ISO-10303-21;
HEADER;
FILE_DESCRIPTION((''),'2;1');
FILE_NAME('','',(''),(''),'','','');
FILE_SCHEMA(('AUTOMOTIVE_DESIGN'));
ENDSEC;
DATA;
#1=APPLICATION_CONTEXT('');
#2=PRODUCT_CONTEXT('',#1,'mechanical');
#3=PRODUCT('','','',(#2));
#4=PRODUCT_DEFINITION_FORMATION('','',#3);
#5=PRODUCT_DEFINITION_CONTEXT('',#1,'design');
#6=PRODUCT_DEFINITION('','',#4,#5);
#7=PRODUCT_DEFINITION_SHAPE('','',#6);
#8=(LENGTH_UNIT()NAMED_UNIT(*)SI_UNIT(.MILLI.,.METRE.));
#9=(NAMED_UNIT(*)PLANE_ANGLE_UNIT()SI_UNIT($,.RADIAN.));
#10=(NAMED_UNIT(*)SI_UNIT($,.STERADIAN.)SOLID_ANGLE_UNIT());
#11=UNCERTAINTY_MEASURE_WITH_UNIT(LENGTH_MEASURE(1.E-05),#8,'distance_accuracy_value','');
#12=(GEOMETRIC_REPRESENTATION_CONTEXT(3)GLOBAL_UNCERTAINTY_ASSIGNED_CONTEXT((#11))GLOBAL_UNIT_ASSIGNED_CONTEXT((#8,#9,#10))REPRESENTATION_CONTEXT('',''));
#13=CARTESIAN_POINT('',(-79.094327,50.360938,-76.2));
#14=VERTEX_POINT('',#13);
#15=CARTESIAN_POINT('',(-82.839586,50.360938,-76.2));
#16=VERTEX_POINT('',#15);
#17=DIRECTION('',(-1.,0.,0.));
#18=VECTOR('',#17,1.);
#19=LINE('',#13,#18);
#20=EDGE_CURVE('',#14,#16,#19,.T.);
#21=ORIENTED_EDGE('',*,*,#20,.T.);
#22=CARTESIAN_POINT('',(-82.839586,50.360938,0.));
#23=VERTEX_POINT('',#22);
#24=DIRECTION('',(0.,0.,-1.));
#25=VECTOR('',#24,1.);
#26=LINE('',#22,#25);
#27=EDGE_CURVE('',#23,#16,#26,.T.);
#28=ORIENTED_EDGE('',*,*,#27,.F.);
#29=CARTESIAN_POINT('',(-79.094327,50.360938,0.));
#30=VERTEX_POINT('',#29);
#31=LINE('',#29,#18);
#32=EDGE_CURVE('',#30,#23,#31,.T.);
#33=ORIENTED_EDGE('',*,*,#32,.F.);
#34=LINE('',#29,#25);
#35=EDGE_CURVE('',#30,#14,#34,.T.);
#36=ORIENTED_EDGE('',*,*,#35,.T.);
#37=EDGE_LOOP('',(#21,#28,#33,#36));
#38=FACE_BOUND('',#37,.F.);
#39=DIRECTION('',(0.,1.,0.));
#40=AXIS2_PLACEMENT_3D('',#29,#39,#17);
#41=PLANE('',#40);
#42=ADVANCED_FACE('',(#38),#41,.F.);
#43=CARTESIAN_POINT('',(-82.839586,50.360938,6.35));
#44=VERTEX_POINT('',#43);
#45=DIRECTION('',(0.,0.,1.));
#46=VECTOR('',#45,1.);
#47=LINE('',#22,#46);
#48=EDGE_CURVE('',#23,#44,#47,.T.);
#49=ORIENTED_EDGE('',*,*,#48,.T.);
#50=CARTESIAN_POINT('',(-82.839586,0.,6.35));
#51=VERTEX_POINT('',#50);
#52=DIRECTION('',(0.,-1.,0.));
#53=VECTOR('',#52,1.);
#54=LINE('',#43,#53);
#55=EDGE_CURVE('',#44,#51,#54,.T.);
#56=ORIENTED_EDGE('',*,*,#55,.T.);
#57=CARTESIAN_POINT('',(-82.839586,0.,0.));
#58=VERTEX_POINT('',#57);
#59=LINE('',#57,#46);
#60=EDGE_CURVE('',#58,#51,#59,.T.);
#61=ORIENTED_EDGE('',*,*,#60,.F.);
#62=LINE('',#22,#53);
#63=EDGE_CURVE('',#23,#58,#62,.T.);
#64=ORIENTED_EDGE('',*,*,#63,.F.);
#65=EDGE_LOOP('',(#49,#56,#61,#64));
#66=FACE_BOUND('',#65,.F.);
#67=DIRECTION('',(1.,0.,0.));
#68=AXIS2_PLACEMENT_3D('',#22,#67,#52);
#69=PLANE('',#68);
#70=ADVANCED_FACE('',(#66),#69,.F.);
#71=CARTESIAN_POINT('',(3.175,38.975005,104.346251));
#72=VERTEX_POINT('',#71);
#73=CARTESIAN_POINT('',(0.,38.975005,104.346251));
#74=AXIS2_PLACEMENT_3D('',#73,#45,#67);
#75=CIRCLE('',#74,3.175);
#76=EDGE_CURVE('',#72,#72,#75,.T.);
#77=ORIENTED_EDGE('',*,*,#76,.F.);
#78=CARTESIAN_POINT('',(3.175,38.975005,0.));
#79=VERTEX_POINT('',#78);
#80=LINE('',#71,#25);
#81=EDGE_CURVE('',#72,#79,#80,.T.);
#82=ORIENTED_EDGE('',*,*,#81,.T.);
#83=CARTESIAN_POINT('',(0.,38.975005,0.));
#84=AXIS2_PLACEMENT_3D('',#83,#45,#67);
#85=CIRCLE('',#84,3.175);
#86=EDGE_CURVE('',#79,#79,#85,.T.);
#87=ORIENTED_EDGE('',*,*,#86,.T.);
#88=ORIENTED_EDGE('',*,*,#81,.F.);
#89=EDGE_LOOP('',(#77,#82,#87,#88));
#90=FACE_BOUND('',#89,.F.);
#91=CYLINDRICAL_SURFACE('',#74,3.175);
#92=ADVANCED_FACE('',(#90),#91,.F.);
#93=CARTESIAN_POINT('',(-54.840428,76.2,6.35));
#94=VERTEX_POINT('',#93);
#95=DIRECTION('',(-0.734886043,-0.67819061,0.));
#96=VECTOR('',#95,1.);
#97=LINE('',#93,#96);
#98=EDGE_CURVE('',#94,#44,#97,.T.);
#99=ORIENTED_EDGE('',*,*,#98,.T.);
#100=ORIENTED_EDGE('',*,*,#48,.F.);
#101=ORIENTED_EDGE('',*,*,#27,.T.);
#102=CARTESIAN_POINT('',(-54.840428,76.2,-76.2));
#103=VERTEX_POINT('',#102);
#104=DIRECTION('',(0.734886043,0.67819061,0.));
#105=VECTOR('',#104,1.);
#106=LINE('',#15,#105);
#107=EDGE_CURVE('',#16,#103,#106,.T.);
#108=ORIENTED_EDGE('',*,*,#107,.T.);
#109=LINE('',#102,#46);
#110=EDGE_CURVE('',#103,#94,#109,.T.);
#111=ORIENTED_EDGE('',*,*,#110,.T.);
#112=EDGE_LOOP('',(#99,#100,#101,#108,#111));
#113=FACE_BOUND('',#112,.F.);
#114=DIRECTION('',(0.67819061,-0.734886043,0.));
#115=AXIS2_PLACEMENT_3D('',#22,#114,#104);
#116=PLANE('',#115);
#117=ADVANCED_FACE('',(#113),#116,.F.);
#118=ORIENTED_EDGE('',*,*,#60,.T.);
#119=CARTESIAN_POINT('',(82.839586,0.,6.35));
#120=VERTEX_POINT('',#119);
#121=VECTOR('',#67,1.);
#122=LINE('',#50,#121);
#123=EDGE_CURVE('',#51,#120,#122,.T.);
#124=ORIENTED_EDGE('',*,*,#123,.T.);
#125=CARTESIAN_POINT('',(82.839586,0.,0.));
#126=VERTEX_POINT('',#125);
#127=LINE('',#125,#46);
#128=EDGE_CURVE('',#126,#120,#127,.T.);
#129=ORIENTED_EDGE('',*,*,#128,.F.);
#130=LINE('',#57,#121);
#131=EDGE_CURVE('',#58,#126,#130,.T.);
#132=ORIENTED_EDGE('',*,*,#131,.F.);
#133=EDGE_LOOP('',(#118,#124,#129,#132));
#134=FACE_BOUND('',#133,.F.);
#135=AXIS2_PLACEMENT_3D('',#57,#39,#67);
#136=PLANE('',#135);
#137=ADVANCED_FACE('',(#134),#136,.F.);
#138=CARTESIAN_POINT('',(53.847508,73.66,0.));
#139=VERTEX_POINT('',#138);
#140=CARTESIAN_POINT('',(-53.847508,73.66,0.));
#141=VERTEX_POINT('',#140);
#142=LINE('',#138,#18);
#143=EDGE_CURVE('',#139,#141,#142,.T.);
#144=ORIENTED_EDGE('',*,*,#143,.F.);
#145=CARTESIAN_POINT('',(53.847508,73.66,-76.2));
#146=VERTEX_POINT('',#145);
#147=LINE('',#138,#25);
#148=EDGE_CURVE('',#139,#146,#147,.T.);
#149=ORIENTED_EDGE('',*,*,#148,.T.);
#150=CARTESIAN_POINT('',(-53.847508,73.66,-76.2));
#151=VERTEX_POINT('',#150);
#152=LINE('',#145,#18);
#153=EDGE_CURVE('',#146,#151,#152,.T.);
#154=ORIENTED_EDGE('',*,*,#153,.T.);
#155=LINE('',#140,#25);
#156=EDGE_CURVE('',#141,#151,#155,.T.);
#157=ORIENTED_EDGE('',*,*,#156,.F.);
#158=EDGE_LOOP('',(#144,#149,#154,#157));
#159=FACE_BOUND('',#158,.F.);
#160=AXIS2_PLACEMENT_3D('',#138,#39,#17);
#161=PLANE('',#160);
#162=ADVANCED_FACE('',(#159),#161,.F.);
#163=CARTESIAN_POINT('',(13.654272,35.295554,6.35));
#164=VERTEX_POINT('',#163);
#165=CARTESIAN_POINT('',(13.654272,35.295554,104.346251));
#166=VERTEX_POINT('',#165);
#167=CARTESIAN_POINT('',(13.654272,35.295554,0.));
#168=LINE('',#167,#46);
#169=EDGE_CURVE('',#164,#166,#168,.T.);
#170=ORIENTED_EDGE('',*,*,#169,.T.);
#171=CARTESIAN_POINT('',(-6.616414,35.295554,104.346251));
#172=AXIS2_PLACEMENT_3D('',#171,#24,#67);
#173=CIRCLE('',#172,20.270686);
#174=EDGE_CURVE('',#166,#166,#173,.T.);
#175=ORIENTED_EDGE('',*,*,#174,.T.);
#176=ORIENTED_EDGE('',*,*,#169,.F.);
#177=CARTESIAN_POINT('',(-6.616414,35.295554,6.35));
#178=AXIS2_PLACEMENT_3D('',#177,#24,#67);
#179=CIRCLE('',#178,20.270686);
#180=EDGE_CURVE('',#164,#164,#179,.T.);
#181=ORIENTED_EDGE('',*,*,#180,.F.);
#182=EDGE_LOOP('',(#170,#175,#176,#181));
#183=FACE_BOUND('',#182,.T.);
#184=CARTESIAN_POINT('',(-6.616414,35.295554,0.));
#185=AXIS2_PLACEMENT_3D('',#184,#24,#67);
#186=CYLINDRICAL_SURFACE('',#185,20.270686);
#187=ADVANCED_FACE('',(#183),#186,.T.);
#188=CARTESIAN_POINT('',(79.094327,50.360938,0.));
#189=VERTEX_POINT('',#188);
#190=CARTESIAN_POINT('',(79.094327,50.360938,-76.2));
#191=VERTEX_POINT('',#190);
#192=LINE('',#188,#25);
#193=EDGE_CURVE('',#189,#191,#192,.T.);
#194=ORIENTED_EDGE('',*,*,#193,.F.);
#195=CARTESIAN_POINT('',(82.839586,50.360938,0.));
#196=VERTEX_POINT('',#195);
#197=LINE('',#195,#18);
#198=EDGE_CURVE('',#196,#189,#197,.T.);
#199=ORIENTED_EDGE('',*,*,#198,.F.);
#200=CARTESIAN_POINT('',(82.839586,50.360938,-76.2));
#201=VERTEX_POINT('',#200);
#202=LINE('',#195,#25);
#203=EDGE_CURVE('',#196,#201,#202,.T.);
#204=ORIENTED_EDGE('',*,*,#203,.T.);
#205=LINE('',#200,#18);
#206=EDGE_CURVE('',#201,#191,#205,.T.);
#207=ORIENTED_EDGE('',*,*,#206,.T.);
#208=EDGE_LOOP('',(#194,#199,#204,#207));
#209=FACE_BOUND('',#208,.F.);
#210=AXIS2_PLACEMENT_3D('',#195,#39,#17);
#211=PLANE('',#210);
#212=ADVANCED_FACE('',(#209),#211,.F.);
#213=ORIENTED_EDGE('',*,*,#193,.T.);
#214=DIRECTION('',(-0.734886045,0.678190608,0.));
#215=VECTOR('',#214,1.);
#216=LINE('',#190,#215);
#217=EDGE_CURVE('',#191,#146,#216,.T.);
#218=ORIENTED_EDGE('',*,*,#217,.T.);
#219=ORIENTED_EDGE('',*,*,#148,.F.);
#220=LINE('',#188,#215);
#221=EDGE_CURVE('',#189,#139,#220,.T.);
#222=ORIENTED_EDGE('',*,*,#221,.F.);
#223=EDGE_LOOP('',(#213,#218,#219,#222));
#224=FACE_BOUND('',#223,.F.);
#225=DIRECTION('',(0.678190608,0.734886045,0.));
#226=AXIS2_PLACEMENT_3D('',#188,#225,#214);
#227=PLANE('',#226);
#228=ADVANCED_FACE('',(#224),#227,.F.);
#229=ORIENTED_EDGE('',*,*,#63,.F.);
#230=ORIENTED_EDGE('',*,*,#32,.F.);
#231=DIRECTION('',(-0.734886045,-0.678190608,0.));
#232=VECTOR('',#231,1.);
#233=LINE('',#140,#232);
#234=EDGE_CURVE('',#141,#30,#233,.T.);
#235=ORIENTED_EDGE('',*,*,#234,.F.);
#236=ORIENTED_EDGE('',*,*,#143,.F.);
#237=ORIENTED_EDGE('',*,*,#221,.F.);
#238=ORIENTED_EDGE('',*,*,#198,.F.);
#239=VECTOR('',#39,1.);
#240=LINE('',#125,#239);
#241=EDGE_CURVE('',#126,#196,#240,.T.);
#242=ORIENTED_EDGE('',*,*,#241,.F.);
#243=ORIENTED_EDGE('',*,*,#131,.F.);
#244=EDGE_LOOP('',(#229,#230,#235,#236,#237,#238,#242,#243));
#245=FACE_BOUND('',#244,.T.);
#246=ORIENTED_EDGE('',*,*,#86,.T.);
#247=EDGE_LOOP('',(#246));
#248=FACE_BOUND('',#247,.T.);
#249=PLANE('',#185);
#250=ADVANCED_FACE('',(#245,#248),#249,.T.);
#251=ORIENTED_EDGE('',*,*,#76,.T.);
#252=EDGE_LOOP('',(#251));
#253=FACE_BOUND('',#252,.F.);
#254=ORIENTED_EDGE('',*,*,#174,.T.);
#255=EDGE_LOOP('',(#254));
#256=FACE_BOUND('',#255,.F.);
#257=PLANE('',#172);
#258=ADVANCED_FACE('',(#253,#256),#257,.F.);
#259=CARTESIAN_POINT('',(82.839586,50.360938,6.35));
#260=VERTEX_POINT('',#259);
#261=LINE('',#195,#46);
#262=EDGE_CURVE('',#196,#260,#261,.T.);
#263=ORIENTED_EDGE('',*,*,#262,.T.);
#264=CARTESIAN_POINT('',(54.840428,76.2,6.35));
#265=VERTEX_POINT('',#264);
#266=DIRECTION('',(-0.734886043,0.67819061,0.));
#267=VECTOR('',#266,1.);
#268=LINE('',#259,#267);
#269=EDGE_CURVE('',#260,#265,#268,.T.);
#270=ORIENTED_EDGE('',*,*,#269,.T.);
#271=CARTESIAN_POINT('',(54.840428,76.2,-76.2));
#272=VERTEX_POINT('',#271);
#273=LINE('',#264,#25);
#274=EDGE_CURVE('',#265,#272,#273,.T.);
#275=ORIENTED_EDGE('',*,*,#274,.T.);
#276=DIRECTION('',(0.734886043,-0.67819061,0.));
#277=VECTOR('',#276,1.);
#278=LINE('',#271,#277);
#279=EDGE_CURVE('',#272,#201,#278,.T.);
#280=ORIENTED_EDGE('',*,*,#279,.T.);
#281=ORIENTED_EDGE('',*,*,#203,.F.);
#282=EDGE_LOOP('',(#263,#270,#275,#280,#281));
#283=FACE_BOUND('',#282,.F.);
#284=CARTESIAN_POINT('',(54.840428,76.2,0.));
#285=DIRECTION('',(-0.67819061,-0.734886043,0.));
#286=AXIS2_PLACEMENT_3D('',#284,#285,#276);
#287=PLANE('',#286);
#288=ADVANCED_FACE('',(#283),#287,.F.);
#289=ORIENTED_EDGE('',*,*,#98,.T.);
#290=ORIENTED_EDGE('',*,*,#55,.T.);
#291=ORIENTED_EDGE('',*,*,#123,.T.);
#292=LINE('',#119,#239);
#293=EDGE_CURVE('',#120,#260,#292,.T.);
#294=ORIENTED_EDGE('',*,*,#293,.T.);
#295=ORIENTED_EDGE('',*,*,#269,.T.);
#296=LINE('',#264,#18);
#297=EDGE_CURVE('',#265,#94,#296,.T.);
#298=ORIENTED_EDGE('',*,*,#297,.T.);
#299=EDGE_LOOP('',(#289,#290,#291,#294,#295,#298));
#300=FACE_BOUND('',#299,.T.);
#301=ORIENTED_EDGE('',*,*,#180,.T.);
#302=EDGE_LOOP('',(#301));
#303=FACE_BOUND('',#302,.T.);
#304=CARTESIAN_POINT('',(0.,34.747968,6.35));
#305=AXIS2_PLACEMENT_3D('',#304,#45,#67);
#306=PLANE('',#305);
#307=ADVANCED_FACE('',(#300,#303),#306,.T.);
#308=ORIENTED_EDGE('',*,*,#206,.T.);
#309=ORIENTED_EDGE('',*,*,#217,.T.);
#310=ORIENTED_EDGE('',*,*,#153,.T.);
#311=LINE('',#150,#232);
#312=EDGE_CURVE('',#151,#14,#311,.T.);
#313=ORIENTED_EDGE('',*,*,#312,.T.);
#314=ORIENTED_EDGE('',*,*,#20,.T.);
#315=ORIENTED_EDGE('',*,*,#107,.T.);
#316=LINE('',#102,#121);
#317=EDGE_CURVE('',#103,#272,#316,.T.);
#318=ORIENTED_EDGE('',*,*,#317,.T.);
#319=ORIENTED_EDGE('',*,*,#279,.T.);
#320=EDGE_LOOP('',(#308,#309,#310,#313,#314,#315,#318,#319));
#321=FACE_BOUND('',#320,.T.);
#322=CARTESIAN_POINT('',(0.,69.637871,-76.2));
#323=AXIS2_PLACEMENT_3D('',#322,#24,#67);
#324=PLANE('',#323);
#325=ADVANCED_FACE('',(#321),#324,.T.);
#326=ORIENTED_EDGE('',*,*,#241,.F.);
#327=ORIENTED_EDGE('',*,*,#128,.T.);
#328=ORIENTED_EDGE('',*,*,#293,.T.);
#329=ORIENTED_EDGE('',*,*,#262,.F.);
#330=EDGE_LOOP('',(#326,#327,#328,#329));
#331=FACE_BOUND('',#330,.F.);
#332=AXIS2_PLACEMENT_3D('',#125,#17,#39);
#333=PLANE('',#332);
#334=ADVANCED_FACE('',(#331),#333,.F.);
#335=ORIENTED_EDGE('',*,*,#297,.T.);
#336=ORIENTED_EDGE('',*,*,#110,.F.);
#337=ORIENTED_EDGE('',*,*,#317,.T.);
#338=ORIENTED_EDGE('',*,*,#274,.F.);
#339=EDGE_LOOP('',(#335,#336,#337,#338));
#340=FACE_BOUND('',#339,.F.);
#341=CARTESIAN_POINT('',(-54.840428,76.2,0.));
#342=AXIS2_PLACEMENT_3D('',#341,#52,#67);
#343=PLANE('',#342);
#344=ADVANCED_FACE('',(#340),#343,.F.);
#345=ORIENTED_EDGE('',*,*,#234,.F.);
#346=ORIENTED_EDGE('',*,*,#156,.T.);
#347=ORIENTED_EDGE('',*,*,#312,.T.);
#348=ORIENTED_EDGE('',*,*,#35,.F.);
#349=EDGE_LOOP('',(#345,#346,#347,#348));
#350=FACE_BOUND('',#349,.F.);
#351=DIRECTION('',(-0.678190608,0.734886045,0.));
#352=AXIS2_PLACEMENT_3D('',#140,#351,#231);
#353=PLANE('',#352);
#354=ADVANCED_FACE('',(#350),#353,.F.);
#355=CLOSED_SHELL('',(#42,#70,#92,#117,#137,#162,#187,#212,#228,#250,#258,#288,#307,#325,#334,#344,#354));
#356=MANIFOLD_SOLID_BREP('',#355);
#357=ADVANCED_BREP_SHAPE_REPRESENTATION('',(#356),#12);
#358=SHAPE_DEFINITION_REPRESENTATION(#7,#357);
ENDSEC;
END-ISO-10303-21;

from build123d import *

# Parameters (mm, degrees)
F1_DEPTH = 6.35
F3_DEPTH = 76.2
F4_R     = 20.270686
F5_DEPTH = 104.346251
F6_R     = 3.175
F7_DEPTH = 180.547251


with BuildPart() as f1:
    # F0 (on Top) → F1 (new body)
    with BuildSketch(Plane.XY):
        Polygon((-82.839586, 50.360938), (-82.839586, 0), (82.839586, 0), (82.839586, 50.360938), (54.840428, 76.2), (-54.840428, 76.2), align=None)
    extrude(amount=F1_DEPTH)

    # F2 (on face) → F3 (join)
    with BuildSketch(Plane(origin=(0, 0, 0), x_dir=(1, 0, 0), z_dir=(0, 0, -1))):
        Polygon((-54.840428, -76.2), (54.840428, -76.2), (82.839586, -50.360938), (79.094327, -50.360938), (53.847508, -73.66), (-53.847508, -73.66), (-79.094327, -50.360938), (-82.839586, -50.360938), align=None)
    extrude(amount=F3_DEPTH)

    # F4 (on face) → F5 (join)
    with BuildSketch(Plane(origin=(0, 0, 0), x_dir=(1, 0, 0), z_dir=(0, 0, -1))):
        with Locations((-6.616414, -35.295554)):
            Circle(F4_R)
    extrude(amount=-F5_DEPTH)

    # F6 (on face) → F7 (cut, through all)
    with BuildSketch(Plane.XY.offset(104.346251)):
        with Locations((0, 38.975005)):
            Circle(F6_R)
    extrude(amount=-F7_DEPTH, mode=Mode.SUBTRACT)


solid = f1.part
